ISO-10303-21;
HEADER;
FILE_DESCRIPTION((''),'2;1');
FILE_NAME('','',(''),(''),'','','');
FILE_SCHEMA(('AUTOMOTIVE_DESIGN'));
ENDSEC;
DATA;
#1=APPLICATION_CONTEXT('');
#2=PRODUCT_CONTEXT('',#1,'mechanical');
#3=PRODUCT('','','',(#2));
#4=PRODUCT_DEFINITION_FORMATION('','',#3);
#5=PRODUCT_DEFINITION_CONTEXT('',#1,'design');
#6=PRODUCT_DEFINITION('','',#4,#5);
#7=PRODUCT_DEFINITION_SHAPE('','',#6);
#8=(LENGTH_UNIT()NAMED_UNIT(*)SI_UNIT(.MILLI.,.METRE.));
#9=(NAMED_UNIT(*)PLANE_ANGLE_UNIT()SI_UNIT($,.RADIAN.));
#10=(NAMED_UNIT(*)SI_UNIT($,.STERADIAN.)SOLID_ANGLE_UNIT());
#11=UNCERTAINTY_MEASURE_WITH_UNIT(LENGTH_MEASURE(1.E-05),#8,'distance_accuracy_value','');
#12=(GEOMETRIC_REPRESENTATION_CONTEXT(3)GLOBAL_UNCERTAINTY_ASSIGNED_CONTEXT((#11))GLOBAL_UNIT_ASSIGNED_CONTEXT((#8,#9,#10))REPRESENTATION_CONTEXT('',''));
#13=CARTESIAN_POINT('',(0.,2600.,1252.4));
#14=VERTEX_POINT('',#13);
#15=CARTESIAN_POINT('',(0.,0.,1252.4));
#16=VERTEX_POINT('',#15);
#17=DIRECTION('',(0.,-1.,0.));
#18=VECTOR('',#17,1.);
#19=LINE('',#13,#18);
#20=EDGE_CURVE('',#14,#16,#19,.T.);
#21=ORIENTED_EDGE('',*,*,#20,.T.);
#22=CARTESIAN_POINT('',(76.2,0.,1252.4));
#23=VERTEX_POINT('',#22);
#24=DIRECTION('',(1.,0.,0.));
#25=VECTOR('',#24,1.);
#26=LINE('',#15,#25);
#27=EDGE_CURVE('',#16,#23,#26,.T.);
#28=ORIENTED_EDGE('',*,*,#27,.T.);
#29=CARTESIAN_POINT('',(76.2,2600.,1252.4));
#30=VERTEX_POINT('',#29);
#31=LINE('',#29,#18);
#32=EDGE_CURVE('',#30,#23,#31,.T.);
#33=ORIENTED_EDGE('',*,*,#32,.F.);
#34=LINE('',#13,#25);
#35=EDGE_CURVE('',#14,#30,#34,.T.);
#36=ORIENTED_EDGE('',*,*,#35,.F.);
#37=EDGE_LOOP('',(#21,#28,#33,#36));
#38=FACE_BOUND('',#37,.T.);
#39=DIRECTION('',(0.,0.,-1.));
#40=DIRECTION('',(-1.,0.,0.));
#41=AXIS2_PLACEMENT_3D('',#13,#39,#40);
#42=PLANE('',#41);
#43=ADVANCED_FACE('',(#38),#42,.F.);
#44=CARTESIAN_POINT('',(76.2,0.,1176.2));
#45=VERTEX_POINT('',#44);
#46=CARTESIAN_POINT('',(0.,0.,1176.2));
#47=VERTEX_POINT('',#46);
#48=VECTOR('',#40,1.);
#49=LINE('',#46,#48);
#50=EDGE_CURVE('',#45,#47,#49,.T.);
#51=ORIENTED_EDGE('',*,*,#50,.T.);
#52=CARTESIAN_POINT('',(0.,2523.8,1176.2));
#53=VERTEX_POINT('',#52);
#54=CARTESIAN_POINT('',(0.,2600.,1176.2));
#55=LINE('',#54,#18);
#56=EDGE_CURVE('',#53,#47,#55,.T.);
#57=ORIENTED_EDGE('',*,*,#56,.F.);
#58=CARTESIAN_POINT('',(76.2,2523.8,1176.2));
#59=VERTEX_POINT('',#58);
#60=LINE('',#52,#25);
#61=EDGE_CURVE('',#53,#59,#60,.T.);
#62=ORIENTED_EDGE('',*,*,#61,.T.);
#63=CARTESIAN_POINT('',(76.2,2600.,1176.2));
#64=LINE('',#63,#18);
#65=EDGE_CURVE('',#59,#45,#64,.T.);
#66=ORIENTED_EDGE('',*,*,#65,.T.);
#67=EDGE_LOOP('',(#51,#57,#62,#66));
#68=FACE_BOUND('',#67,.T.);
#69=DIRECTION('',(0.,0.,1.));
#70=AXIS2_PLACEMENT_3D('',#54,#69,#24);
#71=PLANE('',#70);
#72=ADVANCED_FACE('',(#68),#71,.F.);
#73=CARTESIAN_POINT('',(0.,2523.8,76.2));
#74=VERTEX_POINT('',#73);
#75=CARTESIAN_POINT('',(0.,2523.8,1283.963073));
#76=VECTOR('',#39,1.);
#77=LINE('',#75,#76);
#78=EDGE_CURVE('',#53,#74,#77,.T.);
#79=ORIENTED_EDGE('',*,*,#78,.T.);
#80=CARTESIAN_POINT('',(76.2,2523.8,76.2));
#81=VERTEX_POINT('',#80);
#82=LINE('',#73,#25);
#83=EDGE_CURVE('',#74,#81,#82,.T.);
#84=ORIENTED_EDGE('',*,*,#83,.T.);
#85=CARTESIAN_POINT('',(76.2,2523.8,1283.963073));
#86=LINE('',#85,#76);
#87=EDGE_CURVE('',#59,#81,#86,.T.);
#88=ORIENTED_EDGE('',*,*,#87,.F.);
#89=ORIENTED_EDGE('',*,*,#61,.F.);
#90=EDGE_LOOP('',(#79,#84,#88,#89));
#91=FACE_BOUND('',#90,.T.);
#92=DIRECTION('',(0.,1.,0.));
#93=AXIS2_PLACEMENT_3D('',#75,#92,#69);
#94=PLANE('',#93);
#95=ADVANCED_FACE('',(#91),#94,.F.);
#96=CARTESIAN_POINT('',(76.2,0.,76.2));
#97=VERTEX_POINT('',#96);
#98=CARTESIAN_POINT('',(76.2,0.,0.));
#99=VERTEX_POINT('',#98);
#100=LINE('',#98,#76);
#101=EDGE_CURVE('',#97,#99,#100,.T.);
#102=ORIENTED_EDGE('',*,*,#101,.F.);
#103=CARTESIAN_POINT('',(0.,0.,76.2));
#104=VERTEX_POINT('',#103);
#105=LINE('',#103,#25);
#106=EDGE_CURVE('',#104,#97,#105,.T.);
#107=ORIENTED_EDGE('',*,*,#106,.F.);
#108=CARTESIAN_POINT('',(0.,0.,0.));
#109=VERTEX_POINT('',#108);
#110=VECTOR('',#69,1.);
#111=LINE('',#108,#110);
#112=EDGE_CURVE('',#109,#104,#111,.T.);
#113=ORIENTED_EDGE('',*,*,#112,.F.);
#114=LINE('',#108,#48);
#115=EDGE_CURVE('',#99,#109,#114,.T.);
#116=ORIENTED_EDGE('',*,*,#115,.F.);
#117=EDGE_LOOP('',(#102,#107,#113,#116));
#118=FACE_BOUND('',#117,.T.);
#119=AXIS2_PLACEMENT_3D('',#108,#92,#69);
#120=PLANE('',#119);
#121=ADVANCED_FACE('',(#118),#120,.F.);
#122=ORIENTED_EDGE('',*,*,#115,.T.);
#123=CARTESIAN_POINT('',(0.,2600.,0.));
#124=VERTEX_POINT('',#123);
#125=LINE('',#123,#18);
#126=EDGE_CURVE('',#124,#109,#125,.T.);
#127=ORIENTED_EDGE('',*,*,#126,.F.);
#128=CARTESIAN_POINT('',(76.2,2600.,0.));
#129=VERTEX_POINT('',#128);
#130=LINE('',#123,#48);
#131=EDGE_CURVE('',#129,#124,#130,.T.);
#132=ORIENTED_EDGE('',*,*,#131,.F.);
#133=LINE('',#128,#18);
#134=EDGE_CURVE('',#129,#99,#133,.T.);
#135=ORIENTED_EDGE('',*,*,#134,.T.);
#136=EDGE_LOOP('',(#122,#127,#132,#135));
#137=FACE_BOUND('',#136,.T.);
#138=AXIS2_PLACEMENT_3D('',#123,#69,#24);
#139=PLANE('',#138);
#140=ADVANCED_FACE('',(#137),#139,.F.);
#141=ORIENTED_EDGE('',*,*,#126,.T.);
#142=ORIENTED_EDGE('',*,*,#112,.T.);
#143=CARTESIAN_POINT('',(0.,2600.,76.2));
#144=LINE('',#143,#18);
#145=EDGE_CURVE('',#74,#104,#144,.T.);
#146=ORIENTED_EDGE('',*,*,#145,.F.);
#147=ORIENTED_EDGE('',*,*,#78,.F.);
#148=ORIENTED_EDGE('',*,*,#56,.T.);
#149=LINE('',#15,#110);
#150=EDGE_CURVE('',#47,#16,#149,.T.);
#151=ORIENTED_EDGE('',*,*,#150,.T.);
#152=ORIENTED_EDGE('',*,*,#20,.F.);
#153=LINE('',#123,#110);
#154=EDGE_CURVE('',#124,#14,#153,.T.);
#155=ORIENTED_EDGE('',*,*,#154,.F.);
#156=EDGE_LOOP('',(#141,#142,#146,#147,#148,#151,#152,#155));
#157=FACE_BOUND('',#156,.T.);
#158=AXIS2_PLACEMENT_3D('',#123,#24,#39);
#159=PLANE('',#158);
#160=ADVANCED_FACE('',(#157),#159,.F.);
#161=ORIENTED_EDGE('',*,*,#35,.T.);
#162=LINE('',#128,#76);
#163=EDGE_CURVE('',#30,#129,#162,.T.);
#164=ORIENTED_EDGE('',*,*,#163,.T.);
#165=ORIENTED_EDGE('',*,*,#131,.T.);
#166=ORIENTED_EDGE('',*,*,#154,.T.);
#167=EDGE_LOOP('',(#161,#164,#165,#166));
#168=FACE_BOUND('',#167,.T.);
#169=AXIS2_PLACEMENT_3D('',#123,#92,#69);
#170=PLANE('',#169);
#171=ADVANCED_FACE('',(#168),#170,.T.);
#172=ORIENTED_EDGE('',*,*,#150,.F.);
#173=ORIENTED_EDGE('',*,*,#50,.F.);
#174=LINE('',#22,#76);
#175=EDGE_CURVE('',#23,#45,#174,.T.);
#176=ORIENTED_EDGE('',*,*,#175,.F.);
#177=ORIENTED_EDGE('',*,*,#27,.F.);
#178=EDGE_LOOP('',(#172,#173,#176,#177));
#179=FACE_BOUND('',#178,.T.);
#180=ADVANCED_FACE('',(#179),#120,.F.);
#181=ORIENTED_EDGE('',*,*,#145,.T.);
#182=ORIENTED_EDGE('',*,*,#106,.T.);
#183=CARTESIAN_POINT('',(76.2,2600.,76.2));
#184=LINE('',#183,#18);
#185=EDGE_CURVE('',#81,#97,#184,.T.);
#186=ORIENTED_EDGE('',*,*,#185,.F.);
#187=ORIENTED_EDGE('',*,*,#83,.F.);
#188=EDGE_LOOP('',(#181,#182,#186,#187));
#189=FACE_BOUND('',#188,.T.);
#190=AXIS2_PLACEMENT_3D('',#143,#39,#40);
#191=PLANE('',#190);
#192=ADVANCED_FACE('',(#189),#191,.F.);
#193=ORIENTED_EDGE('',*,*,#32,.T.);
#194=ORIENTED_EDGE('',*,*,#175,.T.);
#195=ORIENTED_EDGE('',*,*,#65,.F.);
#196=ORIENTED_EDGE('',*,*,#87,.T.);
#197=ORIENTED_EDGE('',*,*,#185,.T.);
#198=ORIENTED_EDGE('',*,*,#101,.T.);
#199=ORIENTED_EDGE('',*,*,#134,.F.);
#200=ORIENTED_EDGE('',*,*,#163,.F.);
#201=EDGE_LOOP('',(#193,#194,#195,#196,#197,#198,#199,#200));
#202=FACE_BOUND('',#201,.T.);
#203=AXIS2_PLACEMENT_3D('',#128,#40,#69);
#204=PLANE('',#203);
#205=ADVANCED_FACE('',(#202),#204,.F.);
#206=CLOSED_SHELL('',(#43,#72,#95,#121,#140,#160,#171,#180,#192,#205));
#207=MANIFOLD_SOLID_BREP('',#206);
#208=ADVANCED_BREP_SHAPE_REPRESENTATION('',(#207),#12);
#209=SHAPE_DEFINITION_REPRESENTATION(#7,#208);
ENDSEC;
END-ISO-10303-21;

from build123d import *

# Parameters (mm, degrees)
CROQUIS1_W                 = 76.2
CROQUIS1_H                 = 76.2
SALIENTE_EXTRUIR1_DEPTH    = 2600
SALIENTE_EXTRUIR1_2_DEPTH  = 2600
SALIENTE_EXTRUIR1_3_DEPTH  = 2600
SALIENTE_EXTRUIR1_4_DEPTH  = 2600
SALIENTE_EXTRUIR1_5_DEPTH  = 2600
SALIENTE_EXTRUIR1_6_DEPTH  = 2600
SALIENTE_EXTRUIR1_7_DEPTH  = 2600
SALIENTE_EXTRUIR1_8_DEPTH  = 2600
SALIENTE_EXTRUIR1_9_DEPTH  = 2600
SALIENTE_EXTRUIR1_10_DEPTH = 2600
CROQUIS2_W                 = 76.2
CROQUIS2_H                 = 76.2
SALIENTE_EXTRUIR2_DEPTH    = 1100
CROQUIS3_W                 = 1252.4
CROQUIS3_H                 = 2600
CORTAR_EXTRUIR1_DEPTH      = 5924.8


with BuildPart() as part:
    # Croquis1 → Saliente-Extruir1 (new body)
    with BuildSketch(Plane(origin=(0, 0, 0), x_dir=(1, 0, 0), z_dir=(0, 1, 0))):
        with Locations((38.1, -38.1)):
            Rectangle(CROQUIS1_W, CROQUIS1_H)
    extrude(amount=SALIENTE_EXTRUIR1_DEPTH)



with BuildPart() as body_2:
    # Croquis1 → Saliente-Extruir1 2 (new body)
    with BuildSketch(Plane(origin=(0, 0, 0), x_dir=(1, 0, 0), z_dir=(0, 1, 0))):
        with Locations((1519.3, -38.1)):
            Rectangle(CROQUIS1_W, CROQUIS1_H)
    extrude(amount=SALIENTE_EXTRUIR1_2_DEPTH)


with BuildPart() as body_3:
    # Croquis1 → Saliente-Extruir1 3 (new body)
    with BuildSketch(Plane(origin=(0, 0, 0), x_dir=(1, 0, 0), z_dir=(0, 1, 0))):
        with Locations((3000.5, -38.1)):
            Rectangle(CROQUIS1_W, CROQUIS1_H)
    extrude(amount=SALIENTE_EXTRUIR1_3_DEPTH)


with BuildPart() as body_4:
    # Croquis1 → Saliente-Extruir1 4 (new body)
    with BuildSketch(Plane(origin=(0, 0, 0), x_dir=(1, 0, 0), z_dir=(0, 1, 0))):
        with Locations((4481.7, -38.1)):
            Rectangle(CROQUIS1_W, CROQUIS1_H)
    extrude(amount=SALIENTE_EXTRUIR1_4_DEPTH)


with BuildPart() as body_5:
    # Croquis1 → Saliente-Extruir1 5 (new body)
    with BuildSketch(Plane(origin=(0, 0, 0), x_dir=(1, 0, 0), z_dir=(0, 1, 0))):
        with Locations((5962.9, -38.1)):
            Rectangle(CROQUIS1_W, CROQUIS1_H)
    extrude(amount=SALIENTE_EXTRUIR1_5_DEPTH)


with BuildPart() as body_6:
    # Croquis1 → Saliente-Extruir1 6 (new body)
    with BuildSketch(Plane(origin=(0, 0, 0), x_dir=(1, 0, 0), z_dir=(0, 1, 0))):
        with Locations((5962.9, -1214.3)):
            Rectangle(CROQUIS1_W, CROQUIS1_H)
    extrude(amount=SALIENTE_EXTRUIR1_6_DEPTH)


with BuildPart() as body_7:
    # Croquis1 → Saliente-Extruir1 7 (new body)
    with BuildSketch(Plane(origin=(0, 0, 0), x_dir=(1, 0, 0), z_dir=(0, 1, 0))):
        with Locations((4481.7, -1214.3)):
            Rectangle(CROQUIS1_W, CROQUIS1_H)
    extrude(amount=SALIENTE_EXTRUIR1_7_DEPTH)


with BuildPart() as body_8:
    # Croquis1 → Saliente-Extruir1 8 (new body)
    with BuildSketch(Plane(origin=(0, 0, 0), x_dir=(1, 0, 0), z_dir=(0, 1, 0))):
        with Locations((3000.5, -1214.3)):
            Rectangle(CROQUIS1_W, CROQUIS1_H)
    extrude(amount=SALIENTE_EXTRUIR1_8_DEPTH)


with BuildPart() as body_9:
    # Croquis1 → Saliente-Extruir1 9 (new body)
    with BuildSketch(Plane(origin=(0, 0, 0), x_dir=(1, 0, 0), z_dir=(0, 1, 0))):
        with Locations((1519.3, -1214.3)):
            Rectangle(CROQUIS1_W, CROQUIS1_H)
    extrude(amount=SALIENTE_EXTRUIR1_9_DEPTH)


with BuildPart() as body_10:
    # Croquis1 → Saliente-Extruir1 10 (new body)
    with BuildSketch(Plane(origin=(0, 0, 0), x_dir=(1, 0, 0), z_dir=(0, 1, 0))):
        with Locations((38.1, -1214.3)):
            Rectangle(CROQUIS1_W, CROQUIS1_H)
    extrude(amount=SALIENTE_EXTRUIR1_10_DEPTH)


with BuildPart() as part_1:
    add(part.part)

    add(body_2.part)  # Saliente-Extruir2 merges body 2

    add(body_3.part)  # Saliente-Extruir2 merges body 3

    add(body_4.part)  # Saliente-Extruir2 merges body 4

    add(body_5.part)  # Saliente-Extruir2 merges body 5

    add(body_6.part)  # Saliente-Extruir2 merges body 6

    add(body_7.part)  # Saliente-Extruir2 merges body 7

    add(body_8.part)  # Saliente-Extruir2 merges body 8

    add(body_9.part)  # Saliente-Extruir2 merges body 9

    add(body_10.part)  # Saliente-Extruir2 merges body 10
    # Croquis2 → Saliente-Extruir2 (add)
    with BuildSketch(Plane.XY.offset(76.2)):
        with Locations((38.1, 2561.9)):
            Rectangle(CROQUIS2_W, CROQUIS2_H)
        with Locations((1519.3, 2561.9)):
            Rectangle(CROQUIS2_W, CROQUIS2_H)
        with Locations((3000.5, 2561.9)):
            Rectangle(CROQUIS2_W, CROQUIS2_H)
        with Locations((4481.7, 2561.9)):
            Rectangle(CROQUIS2_W, CROQUIS2_H)
        with Locations((5962.9, 2561.9)):
            Rectangle(CROQUIS2_W, CROQUIS2_H)
    extrude(amount=SALIENTE_EXTRUIR2_DEPTH)

    # Croquis3 → Cortar-Extruir1 (cut)
    with BuildSketch(Plane(origin=(6001, 0, 0), x_dir=(0, 0, -1), z_dir=(1, 0, 0))):
        with Locations((-626.2, 1300)):
            Rectangle(CROQUIS3_W, CROQUIS3_H)
    extrude(amount=-CORTAR_EXTRUIR1_DEPTH, mode=Mode.SUBTRACT)


solid = part_1.part
